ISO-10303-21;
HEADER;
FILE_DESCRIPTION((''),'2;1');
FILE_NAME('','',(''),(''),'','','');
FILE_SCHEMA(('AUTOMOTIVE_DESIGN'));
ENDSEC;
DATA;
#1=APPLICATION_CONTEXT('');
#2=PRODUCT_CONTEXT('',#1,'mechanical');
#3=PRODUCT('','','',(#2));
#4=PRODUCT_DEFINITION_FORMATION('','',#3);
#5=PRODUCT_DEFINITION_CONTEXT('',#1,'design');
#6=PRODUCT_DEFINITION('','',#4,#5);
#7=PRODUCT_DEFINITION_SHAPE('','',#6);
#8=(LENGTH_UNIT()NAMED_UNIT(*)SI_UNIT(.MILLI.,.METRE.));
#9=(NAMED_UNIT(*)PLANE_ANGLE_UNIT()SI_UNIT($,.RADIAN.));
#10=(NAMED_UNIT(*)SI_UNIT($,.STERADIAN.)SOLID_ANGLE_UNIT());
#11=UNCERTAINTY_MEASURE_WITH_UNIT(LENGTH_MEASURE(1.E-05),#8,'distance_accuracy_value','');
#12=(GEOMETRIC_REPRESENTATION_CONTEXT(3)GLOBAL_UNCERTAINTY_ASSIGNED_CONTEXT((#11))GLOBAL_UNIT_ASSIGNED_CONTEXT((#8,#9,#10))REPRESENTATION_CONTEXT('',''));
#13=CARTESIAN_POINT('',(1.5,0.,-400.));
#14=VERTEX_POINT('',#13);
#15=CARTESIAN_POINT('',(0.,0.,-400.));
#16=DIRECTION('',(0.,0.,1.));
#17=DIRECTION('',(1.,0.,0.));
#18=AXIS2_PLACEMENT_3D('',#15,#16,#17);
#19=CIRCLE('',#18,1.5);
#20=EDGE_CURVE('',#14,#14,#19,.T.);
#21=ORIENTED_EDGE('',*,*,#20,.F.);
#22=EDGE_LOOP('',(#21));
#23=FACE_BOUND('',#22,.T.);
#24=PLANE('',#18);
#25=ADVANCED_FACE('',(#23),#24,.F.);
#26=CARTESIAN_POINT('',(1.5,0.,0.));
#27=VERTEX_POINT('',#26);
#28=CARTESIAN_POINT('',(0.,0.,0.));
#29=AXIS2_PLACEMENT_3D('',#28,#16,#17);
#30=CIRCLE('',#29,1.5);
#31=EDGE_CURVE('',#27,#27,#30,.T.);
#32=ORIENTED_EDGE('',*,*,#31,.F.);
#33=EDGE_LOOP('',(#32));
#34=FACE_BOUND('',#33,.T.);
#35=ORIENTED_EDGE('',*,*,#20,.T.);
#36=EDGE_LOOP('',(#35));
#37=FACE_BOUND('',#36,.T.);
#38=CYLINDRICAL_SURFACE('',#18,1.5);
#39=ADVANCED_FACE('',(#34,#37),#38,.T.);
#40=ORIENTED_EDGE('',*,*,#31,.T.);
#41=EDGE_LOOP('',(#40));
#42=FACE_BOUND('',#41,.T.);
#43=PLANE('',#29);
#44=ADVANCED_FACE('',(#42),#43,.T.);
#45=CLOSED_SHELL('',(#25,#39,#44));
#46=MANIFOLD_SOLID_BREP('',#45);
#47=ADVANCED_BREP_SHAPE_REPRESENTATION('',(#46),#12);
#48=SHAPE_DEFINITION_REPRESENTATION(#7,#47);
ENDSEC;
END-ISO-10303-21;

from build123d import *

# Parameters (mm, degrees)
SKETCH_1_R      = 1.5
EXTRUDE_1_DEPTH = 400


with BuildPart() as part:
    # 草图1 → 凸台-拉伸1 (new body)
    with BuildSketch(Plane.XY):
        Circle(SKETCH_1_R)
    extrude(amount=-EXTRUDE_1_DEPTH)


solid = part.part
